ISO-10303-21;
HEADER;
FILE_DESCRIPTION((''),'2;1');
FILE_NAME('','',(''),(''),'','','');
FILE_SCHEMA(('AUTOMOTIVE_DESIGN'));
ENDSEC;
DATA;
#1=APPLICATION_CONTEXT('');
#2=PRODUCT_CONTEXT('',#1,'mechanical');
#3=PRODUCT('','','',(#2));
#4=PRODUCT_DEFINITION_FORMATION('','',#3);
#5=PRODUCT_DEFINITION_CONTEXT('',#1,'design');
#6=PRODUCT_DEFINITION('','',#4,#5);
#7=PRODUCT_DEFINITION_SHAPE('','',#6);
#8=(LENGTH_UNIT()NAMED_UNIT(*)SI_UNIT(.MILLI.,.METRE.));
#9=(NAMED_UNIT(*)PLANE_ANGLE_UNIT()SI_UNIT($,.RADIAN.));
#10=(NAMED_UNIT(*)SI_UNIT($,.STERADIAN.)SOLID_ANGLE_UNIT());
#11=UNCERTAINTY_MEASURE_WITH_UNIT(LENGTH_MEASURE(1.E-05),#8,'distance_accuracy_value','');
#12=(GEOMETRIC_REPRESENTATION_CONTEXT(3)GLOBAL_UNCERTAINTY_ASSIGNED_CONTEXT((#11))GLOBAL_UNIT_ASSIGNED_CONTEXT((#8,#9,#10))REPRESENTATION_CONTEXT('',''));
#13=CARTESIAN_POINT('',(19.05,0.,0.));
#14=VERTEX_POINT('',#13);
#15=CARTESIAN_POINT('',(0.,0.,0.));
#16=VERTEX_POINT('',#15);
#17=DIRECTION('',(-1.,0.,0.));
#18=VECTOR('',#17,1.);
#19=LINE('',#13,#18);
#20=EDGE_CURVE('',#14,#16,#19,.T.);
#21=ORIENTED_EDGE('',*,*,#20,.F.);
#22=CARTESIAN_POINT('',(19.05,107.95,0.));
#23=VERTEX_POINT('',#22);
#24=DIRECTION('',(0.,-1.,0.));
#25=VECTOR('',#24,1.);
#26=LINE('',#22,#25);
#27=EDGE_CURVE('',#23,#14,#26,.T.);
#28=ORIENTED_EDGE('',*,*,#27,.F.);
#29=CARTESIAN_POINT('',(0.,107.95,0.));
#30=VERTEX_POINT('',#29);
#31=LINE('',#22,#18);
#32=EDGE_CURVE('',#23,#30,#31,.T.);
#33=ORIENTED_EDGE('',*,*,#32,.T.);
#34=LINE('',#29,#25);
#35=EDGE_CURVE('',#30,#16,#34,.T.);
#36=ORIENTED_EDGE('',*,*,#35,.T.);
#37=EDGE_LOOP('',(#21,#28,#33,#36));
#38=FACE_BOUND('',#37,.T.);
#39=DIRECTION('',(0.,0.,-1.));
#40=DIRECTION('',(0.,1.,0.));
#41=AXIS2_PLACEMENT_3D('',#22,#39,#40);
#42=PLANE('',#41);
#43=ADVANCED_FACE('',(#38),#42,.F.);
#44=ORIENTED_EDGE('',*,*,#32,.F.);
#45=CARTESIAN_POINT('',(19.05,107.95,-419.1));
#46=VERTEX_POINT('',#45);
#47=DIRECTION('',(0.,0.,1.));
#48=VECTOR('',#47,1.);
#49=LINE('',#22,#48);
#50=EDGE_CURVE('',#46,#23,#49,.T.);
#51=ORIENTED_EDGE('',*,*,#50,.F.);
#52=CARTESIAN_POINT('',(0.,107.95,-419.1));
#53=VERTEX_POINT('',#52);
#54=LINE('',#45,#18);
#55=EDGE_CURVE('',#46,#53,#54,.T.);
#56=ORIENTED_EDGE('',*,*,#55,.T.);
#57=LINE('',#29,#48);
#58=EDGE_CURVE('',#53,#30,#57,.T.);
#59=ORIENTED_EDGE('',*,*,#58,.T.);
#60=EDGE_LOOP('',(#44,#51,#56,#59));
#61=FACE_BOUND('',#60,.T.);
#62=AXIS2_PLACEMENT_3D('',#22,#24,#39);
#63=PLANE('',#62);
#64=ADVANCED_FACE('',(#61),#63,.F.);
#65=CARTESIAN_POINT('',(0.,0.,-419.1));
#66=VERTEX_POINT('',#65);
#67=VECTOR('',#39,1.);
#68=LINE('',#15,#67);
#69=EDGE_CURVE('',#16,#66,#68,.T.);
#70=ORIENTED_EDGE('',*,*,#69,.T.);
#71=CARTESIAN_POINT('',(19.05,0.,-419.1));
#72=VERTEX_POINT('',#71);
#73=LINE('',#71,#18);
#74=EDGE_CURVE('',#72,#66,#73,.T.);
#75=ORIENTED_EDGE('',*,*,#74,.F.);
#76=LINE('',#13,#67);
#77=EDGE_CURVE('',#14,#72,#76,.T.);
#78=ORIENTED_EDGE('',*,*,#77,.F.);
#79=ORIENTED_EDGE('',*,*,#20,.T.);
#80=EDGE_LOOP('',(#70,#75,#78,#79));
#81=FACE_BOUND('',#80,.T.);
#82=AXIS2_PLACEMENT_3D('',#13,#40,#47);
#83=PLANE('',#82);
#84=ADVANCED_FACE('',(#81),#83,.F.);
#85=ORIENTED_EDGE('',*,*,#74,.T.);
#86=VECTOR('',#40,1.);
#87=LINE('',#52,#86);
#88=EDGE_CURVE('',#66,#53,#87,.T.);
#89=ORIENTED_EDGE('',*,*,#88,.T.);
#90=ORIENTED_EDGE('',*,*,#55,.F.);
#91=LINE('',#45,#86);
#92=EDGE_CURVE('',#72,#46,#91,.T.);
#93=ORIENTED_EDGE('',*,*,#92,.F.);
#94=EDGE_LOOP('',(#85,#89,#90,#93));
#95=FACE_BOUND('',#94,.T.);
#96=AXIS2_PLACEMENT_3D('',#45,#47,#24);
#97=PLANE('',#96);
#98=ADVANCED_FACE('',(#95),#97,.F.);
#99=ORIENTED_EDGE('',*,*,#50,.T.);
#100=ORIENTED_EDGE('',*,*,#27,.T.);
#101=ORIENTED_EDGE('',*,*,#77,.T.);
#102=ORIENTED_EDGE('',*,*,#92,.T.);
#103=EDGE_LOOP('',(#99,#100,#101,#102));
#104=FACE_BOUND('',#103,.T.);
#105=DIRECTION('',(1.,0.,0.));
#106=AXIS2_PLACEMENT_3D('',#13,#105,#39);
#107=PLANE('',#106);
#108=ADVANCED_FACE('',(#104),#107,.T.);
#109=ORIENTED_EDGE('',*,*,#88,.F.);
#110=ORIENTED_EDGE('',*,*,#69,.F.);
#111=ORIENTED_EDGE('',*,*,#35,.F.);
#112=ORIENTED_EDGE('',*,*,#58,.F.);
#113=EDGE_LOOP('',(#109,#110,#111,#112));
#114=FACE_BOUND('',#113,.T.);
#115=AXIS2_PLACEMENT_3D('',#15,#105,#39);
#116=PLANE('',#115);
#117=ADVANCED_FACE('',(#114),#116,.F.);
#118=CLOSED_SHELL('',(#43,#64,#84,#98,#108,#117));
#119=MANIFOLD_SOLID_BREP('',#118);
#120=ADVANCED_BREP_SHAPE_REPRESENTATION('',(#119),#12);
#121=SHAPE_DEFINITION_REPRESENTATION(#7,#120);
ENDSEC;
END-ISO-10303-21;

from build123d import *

# Parameters (mm, degrees)
SKETCH1_W           = 419.1
SKETCH1_H           = 107.95
BOSS_EXTRUDE1_DEPTH = 19.05


with BuildPart() as part:
    # Sketch1 → Boss-Extrude1 (new body)
    with BuildSketch(Plane(origin=(0, 0, 0), x_dir=(0, 0, -1), z_dir=(1, 0, 0))):
        with Locations((209.55, 53.975)):
            Rectangle(SKETCH1_W, SKETCH1_H)
    extrude(amount=BOSS_EXTRUDE1_DEPTH)


solid = part.part
